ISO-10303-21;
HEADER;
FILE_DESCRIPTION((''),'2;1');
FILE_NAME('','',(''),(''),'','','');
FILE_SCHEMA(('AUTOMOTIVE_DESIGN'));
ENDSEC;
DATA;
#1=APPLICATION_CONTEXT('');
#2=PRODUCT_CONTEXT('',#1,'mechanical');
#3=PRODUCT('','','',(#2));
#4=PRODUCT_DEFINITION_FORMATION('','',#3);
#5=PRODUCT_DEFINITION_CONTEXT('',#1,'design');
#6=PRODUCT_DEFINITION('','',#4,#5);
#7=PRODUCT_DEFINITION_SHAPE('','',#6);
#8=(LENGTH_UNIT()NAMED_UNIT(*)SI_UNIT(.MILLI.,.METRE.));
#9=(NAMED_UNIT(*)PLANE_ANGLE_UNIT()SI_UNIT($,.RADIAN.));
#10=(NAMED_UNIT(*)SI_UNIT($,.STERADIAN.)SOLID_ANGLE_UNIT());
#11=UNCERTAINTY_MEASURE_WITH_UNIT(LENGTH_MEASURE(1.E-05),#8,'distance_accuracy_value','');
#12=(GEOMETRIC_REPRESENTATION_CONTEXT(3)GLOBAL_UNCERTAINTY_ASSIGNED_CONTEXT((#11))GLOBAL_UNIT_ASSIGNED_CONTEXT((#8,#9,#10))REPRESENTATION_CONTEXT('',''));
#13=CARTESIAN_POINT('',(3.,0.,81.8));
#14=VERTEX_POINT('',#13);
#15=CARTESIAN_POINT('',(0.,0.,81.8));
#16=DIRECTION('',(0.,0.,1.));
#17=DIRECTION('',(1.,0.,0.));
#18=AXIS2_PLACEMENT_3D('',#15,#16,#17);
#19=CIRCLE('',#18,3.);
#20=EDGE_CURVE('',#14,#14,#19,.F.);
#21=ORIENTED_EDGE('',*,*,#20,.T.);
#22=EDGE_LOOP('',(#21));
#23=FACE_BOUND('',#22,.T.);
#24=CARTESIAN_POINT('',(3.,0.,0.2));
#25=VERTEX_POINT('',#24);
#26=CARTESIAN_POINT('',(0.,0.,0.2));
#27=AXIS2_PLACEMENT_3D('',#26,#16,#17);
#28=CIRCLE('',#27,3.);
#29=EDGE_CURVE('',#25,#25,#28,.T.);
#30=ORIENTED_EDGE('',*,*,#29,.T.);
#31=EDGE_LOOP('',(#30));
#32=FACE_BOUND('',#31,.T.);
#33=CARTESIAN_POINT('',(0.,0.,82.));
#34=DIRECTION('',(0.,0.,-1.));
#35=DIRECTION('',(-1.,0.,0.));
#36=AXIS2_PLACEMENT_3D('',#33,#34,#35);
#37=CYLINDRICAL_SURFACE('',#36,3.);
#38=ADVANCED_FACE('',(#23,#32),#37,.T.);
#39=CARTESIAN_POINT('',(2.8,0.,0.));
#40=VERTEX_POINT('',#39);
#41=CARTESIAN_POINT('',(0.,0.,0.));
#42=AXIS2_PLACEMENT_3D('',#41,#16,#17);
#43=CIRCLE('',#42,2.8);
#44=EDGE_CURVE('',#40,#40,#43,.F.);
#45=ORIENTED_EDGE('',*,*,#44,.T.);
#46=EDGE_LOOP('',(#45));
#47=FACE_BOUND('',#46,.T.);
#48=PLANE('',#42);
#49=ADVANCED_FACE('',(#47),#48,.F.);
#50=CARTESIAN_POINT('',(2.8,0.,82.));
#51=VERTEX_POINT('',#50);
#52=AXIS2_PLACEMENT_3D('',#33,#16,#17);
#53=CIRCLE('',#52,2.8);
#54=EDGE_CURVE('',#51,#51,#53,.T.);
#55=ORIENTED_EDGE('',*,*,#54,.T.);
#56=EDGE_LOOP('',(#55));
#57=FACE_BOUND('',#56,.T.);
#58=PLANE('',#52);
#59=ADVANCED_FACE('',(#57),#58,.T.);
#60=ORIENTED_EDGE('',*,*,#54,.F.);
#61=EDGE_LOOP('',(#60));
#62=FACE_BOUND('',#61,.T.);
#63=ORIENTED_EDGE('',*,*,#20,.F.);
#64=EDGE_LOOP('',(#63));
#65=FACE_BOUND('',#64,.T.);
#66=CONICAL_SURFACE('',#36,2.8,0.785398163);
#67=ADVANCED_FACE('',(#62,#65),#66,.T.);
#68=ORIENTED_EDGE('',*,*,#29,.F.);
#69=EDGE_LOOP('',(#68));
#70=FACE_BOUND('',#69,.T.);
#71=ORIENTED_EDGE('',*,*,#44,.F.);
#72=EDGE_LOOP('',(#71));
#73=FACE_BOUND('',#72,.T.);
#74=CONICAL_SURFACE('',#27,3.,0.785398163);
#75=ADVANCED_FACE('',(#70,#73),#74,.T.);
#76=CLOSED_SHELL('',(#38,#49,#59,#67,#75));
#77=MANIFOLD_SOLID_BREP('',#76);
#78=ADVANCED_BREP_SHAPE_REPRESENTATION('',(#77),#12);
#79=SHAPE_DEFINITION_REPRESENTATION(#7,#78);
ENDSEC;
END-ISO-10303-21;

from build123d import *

# Parameters (mm, degrees)
SKETCH1_R           = 3
BOSS_EXTRUDE1_DEPTH = 82
CHAMFER1_SIZE       = 0.2


with BuildPart() as part:
    # Sketch1 → Boss-Extrude1 (new body)
    with BuildSketch(Plane.XY):
        Circle(SKETCH1_R)
    extrude(amount=BOSS_EXTRUDE1_DEPTH)

    # Chamfer1
    chamfer1_edges = [part.edges().sort_by_distance(p)[0] for p in [
        (-3, 0, 0),
        (-3, 0, 82),
    ]]
    chamfer(chamfer1_edges, length=CHAMFER1_SIZE)


solid = part.part
